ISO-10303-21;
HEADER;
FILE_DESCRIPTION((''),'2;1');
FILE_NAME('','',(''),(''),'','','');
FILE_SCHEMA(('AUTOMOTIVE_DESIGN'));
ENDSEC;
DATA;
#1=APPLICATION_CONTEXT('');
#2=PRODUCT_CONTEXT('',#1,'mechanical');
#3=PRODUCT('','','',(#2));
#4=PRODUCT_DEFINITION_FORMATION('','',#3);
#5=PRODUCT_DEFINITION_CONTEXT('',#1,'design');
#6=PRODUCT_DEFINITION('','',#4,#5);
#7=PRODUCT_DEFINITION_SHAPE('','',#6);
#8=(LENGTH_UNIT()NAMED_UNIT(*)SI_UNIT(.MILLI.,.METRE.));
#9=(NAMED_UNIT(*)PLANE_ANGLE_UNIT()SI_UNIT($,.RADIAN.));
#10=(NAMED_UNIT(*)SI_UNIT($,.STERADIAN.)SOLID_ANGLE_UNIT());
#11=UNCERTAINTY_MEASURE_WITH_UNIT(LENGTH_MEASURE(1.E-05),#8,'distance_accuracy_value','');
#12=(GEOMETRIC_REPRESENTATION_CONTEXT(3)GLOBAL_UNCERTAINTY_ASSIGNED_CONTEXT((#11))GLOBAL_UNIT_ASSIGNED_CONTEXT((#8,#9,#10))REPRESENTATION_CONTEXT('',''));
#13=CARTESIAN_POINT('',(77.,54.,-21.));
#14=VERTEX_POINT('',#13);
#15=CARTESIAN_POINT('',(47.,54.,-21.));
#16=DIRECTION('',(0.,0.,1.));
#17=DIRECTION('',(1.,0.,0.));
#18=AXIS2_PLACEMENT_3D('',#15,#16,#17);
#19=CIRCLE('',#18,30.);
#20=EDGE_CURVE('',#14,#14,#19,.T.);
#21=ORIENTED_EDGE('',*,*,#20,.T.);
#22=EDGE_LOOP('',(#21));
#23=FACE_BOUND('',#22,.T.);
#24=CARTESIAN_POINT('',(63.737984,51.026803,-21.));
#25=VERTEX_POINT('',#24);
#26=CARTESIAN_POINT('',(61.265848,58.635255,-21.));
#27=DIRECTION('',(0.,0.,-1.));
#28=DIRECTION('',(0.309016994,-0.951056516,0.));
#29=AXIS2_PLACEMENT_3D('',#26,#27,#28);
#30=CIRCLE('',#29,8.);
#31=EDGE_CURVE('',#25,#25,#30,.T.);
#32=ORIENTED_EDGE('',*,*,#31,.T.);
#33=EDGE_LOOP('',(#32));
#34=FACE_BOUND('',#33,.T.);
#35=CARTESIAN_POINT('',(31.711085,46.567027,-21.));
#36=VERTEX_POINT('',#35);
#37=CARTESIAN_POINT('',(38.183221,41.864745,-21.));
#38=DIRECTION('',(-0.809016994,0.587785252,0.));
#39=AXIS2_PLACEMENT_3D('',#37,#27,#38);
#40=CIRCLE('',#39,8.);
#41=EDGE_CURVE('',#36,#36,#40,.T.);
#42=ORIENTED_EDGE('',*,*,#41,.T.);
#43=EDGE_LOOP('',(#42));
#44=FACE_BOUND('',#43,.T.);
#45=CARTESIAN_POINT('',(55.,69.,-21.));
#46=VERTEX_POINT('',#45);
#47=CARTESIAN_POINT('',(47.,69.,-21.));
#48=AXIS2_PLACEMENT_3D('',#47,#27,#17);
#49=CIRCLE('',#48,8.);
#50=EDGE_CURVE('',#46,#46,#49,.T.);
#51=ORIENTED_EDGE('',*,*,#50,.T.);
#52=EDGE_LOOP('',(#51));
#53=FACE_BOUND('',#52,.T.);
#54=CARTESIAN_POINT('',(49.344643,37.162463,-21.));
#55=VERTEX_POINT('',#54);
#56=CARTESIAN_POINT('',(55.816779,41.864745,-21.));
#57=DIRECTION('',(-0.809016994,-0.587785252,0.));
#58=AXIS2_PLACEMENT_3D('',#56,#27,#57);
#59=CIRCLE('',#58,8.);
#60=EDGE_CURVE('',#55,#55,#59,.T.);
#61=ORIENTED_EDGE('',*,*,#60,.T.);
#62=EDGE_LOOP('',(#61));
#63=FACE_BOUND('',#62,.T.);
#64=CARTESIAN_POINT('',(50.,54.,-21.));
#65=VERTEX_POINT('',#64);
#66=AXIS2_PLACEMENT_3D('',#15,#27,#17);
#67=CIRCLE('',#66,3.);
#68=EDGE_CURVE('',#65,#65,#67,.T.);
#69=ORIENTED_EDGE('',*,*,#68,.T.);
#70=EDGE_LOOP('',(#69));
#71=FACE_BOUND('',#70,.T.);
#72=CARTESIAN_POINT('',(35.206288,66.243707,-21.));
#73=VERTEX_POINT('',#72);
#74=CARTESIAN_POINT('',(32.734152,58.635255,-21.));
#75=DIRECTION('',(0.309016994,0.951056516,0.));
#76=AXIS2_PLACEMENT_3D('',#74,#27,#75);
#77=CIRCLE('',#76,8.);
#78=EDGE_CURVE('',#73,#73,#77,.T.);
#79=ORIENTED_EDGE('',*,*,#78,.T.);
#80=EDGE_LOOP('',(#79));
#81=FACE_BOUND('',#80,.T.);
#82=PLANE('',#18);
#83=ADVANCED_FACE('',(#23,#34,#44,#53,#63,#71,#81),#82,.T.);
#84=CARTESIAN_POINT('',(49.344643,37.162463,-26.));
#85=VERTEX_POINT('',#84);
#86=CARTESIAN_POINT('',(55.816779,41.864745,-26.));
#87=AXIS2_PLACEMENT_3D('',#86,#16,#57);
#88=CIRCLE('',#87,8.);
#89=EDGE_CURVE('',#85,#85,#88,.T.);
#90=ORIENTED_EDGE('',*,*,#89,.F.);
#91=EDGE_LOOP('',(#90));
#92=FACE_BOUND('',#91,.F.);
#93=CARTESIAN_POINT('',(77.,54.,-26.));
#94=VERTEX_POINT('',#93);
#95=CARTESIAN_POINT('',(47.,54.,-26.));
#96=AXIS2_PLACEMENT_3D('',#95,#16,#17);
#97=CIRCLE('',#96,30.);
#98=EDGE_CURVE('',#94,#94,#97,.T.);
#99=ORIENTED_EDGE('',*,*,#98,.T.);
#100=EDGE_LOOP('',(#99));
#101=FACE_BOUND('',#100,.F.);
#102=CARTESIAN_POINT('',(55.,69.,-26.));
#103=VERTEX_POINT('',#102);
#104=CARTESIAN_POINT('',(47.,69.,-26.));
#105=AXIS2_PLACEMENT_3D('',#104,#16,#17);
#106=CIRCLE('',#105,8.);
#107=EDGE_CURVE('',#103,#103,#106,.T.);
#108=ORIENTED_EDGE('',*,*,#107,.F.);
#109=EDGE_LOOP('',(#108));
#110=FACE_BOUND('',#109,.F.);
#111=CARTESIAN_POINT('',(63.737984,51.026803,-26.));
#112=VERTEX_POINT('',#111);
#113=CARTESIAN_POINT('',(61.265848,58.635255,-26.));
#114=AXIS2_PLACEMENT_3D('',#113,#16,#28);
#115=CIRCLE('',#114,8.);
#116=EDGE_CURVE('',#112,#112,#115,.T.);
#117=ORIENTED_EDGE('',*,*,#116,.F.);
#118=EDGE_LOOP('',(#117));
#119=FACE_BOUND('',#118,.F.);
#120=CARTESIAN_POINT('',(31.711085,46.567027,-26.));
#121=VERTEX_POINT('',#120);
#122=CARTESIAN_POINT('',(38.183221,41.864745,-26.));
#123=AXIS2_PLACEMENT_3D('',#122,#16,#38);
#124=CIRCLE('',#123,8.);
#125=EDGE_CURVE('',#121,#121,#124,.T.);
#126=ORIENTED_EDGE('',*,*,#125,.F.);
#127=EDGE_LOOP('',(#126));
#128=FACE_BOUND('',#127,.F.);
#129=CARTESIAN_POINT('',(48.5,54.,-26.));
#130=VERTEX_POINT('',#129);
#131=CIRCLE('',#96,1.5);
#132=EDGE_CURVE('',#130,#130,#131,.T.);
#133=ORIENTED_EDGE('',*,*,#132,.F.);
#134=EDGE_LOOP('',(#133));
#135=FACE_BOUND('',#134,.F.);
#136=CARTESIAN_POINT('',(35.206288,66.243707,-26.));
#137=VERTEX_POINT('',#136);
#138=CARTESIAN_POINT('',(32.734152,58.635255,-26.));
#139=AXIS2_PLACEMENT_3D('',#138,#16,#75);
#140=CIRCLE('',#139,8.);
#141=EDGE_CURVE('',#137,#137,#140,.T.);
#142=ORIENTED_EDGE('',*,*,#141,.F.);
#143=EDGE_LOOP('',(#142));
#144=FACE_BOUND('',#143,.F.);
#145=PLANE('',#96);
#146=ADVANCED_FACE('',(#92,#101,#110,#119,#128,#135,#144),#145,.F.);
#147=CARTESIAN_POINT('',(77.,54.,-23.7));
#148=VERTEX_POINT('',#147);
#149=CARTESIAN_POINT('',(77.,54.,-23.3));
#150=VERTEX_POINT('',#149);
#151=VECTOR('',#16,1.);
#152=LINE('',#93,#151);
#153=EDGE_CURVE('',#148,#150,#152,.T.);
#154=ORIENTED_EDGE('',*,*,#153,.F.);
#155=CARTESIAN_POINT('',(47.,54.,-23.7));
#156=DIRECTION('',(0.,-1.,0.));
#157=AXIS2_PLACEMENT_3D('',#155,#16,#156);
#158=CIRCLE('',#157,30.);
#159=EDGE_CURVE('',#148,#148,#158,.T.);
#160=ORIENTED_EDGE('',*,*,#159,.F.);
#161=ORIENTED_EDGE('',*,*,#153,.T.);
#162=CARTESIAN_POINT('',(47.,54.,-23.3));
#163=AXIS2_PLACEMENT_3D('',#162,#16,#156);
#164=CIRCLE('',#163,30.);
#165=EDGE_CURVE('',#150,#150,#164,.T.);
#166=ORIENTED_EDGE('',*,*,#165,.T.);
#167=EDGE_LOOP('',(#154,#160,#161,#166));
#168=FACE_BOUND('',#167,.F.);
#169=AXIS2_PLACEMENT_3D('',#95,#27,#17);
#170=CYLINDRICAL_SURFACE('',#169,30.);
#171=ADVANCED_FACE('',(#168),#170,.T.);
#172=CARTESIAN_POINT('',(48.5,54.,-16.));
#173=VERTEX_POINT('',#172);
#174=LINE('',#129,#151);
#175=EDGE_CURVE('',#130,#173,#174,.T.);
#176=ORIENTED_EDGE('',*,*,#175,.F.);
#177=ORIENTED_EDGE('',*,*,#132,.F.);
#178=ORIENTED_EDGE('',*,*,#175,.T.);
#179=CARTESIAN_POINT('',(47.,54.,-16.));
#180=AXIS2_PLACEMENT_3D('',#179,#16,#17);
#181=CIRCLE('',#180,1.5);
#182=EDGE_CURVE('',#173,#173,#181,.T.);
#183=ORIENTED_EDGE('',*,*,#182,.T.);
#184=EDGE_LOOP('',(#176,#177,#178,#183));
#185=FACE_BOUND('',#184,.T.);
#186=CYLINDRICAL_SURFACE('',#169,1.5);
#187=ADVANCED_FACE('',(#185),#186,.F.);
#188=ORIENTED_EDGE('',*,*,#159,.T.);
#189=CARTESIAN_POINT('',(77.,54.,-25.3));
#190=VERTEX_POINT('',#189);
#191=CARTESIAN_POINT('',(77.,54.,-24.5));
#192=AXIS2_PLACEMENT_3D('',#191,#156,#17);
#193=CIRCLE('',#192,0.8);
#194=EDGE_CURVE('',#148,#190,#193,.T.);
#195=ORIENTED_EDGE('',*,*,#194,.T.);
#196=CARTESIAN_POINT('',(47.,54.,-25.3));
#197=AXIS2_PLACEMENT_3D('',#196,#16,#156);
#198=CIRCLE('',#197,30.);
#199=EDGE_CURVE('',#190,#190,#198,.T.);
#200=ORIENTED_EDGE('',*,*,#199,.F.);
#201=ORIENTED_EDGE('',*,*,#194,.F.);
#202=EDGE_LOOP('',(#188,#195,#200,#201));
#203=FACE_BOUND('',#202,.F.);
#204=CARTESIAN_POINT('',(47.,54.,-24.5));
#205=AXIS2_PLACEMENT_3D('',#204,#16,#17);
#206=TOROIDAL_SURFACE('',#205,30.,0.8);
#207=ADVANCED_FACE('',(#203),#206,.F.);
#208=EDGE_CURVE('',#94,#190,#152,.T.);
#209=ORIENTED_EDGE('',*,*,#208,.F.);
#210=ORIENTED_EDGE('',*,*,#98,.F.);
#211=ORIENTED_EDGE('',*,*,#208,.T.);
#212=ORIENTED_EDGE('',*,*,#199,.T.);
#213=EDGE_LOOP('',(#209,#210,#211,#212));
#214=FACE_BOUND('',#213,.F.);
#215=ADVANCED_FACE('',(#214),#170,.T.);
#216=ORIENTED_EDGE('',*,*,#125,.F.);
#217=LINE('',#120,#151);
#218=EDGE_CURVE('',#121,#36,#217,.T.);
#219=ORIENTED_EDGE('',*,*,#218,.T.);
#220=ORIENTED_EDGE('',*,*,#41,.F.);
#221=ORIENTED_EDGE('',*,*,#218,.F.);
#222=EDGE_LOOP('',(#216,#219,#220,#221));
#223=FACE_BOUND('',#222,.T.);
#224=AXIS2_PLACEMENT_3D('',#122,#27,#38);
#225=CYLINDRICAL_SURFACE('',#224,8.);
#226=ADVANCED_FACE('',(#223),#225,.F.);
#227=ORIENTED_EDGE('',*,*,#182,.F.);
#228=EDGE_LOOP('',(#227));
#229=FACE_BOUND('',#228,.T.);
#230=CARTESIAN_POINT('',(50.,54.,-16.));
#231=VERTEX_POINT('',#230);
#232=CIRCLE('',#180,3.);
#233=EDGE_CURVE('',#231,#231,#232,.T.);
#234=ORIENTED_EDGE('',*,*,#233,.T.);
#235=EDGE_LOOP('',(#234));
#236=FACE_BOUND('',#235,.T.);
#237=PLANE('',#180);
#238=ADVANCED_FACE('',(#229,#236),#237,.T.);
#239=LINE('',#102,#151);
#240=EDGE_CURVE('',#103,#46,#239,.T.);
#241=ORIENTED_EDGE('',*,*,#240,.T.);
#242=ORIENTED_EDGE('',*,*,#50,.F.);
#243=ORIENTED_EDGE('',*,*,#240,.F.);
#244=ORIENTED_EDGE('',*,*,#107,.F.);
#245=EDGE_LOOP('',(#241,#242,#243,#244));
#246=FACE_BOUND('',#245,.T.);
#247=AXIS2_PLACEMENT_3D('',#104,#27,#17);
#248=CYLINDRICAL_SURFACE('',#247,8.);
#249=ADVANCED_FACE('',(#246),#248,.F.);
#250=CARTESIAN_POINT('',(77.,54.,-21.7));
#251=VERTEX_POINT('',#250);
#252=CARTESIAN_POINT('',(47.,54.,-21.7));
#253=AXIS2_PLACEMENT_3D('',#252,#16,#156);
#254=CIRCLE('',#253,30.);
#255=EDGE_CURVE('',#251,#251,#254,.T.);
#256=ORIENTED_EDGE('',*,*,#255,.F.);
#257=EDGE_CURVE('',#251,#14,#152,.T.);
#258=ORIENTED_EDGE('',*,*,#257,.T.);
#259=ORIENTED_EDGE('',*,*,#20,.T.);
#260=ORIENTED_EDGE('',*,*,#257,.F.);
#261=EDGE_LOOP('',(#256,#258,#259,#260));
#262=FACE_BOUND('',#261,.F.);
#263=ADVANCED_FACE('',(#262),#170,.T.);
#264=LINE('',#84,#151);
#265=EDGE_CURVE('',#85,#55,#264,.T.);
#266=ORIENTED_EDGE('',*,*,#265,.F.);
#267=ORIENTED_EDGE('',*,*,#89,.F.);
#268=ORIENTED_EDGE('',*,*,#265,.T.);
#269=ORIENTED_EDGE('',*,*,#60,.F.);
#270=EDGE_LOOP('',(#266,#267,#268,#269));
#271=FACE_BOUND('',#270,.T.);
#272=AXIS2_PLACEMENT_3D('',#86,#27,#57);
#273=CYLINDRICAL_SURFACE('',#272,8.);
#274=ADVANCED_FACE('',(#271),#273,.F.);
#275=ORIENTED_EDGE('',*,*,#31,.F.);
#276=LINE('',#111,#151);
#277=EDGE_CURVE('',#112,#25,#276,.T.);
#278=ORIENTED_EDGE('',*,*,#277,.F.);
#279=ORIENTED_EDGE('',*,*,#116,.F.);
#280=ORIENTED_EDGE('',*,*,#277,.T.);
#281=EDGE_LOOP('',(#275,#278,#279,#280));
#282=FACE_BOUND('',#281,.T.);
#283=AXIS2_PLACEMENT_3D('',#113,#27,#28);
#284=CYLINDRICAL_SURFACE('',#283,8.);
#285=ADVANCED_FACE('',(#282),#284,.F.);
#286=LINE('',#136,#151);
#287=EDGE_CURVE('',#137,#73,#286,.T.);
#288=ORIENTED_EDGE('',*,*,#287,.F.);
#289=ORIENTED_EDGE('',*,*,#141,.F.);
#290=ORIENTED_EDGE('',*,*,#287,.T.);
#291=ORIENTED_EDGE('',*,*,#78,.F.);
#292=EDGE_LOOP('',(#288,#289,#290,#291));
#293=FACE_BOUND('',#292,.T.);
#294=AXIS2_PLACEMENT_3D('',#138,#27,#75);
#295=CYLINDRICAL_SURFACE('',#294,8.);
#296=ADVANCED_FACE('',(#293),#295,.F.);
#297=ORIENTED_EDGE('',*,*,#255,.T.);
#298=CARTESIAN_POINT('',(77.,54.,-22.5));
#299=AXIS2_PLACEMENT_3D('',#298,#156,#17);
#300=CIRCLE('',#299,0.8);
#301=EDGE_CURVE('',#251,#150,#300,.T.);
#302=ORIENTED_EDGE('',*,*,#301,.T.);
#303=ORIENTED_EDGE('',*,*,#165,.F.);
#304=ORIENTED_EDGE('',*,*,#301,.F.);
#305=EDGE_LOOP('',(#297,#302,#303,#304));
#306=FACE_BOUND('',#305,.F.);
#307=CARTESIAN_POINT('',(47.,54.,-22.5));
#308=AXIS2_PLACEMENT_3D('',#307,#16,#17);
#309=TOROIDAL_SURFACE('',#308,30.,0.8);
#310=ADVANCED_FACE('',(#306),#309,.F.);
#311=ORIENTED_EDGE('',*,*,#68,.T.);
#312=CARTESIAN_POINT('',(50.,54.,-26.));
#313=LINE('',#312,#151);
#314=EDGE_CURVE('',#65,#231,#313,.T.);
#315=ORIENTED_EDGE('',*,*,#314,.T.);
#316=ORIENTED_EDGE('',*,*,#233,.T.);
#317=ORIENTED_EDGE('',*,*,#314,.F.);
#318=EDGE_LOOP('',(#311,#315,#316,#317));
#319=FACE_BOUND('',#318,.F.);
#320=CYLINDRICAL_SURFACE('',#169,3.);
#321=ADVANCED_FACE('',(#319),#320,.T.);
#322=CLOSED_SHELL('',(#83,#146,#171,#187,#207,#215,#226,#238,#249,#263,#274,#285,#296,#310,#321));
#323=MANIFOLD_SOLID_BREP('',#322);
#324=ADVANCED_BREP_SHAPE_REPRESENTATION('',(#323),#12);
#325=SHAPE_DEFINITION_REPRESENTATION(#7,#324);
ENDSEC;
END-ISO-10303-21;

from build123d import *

# Parameters (mm, degrees)
CYLINDER024_R     = 8
CYLINDER024_DEPTH = 10
ARRAY003_COUNT    = 5
CYLINDER023_R     = 1.5
CYLINDER023_DEPTH = 10
TORUS005_R        = 0.8
TORUS004_R        = 0.8
CYLINDER021_R     = 30
CYLINDER021_DEPTH = 5
CYLINDER022_R     = 3
CYLINDER022_DEPTH = 10


with BuildPart() as fusion014:
    # Cylinder024 → Cylinder024 (new body)
    with BuildSketch(Plane(origin=(0, 15, 0), x_dir=(1, 0, 0), z_dir=(0, 0, 1))):
        Circle(CYLINDER024_R)
    extrude(amount=CYLINDER024_DEPTH)

    # Array003: Fusion014 ×5 about axis
    array003_axis = Axis((0, 0, 0), (0, 0, 1))


with BuildPart() as fusion014_1:
    add(fusion014.part)
    for i in range(1, ARRAY003_COUNT):
        add(fusion014.part.rotate(array003_axis, i * 360 / ARRAY003_COUNT))


with BuildPart() as cylinder023:
    # Cylinder023 → Cylinder023 (new body)
    with BuildSketch(Plane.XY):
        Circle(CYLINDER023_R)
    extrude(amount=CYLINDER023_DEPTH)


with BuildPart() as torus005:
    # Torus005 → Torus005 (revolve)
    with BuildSketch(Plane(origin=(0, 0, 3.5), x_dir=(1, 0, 0), z_dir=(0, -1, 0))):
        with Locations((30, 0)):
            Circle(TORUS005_R)
    revolve(axis=Axis((0, 0, 3.5), (0, 0, 1)))


with BuildPart() as torus004:
    # Torus004 → Torus004 (revolve)
    with BuildSketch(Plane(origin=(0, 0, 1.5), x_dir=(1, 0, 0), z_dir=(0, -1, 0))):
        with Locations((30, 0)):
            Circle(TORUS004_R)
    revolve(axis=Axis((0, 0, 1.5), (0, 0, 1)))


with BuildPart() as cut015:
    # Cylinder021 → Cylinder021 (new body)
    with BuildSketch(Plane.XY):
        Circle(CYLINDER021_R)
    extrude(amount=CYLINDER021_DEPTH)

    # Cut014: cut Torus004
    add(torus004.part, mode=Mode.SUBTRACT)

    # Cut015: cut Torus005
    add(torus005.part, mode=Mode.SUBTRACT)


with BuildPart() as cut017:
    # Cylinder022 → Cylinder022 (new body)
    with BuildSketch(Plane.XY):
        Circle(CYLINDER022_R)
    extrude(amount=CYLINDER022_DEPTH)

    # Fusion013: union Cut015
    add(cut015.part)

    # Cut016: cut Cylinder023
    add(cylinder023.part, mode=Mode.SUBTRACT)

    # Cut017: cut Fusion014
    add(fusion014_1.part, mode=Mode.SUBTRACT)


with BuildPart() as cut017_1:
    # Cut017 placement: moved
    add(cut017.part.moved(Location((47, 54, -26))))


solid = cut017_1.part
